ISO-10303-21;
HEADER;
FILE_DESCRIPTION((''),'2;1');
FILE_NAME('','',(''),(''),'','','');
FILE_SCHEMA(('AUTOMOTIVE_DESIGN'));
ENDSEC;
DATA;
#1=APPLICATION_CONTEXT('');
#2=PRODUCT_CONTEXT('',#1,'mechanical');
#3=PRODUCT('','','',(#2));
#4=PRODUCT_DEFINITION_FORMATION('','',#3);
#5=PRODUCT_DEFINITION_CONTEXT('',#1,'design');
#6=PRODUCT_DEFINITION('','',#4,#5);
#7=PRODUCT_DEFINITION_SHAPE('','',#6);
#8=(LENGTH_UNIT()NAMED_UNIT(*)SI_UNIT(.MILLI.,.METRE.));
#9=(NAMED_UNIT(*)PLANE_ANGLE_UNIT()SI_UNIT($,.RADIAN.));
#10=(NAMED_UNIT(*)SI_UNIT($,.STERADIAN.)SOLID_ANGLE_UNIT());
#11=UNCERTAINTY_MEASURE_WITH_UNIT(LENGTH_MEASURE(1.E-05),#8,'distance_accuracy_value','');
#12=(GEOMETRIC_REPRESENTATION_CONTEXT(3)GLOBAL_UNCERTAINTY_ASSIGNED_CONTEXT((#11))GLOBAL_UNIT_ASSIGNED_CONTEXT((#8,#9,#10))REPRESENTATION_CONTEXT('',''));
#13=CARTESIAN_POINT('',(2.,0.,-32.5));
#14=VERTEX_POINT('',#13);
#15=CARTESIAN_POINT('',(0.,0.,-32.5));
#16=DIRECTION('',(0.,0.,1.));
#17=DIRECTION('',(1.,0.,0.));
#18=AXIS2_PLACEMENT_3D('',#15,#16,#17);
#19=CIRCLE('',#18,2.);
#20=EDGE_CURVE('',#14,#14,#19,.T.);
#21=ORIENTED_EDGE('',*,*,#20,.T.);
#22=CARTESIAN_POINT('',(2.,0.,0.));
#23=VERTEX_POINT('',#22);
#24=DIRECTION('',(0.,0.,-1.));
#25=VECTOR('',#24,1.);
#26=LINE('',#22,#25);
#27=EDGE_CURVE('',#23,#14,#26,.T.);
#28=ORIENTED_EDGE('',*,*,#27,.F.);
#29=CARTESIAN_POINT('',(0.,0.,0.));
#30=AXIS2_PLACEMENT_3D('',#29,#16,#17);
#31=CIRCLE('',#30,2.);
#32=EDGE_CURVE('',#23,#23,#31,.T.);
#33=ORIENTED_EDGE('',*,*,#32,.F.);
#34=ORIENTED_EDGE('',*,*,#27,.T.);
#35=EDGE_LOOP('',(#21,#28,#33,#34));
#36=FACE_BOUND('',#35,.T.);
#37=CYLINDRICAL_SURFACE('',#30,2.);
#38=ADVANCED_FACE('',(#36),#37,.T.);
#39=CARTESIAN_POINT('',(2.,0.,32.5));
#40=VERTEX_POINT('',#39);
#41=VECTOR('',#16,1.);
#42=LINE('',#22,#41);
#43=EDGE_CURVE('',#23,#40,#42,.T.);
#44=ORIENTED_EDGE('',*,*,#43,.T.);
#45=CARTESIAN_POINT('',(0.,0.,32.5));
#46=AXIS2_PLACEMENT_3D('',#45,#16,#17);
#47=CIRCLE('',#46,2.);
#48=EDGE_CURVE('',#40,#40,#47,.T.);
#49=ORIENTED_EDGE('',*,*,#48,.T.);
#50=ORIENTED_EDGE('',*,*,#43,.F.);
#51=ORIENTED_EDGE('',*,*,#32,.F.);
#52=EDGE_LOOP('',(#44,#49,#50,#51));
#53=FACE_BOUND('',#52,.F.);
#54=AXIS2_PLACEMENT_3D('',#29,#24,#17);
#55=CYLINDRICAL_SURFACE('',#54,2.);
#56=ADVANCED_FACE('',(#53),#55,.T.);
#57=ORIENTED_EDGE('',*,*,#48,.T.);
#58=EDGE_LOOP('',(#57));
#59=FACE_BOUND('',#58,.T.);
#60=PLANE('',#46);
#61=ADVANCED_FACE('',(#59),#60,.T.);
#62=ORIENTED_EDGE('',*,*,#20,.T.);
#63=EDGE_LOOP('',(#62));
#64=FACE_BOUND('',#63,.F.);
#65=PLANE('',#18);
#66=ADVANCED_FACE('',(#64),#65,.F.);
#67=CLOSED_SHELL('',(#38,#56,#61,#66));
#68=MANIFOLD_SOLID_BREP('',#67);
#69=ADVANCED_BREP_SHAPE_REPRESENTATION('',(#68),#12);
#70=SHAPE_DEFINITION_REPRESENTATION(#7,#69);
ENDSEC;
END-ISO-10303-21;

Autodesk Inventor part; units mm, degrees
ref_plane "YZ Plane" through (0, 0, 0) normal (1, 0, 0) x (0, 1, 0)
ref_plane "XZ Plane" through (0, 0, 0) normal (0, 1, 0) x (-1, 0, 0)
ref_plane "XY Plane" through (0, 0, 0) normal (0, 0, 1) x (1, 0, 0)
sketch "Эскиз1" plane through (0, 0, 0) normal (0, 0, 1) x (1, 0, 0)
  circle A0 centre (0, 0) radius 2
  dimension "d0" = 4
extrude "Выдавливание1" add sketch "Эскиз1" along normal mid plane 65
properties part number "Вал фиксатора головы"
